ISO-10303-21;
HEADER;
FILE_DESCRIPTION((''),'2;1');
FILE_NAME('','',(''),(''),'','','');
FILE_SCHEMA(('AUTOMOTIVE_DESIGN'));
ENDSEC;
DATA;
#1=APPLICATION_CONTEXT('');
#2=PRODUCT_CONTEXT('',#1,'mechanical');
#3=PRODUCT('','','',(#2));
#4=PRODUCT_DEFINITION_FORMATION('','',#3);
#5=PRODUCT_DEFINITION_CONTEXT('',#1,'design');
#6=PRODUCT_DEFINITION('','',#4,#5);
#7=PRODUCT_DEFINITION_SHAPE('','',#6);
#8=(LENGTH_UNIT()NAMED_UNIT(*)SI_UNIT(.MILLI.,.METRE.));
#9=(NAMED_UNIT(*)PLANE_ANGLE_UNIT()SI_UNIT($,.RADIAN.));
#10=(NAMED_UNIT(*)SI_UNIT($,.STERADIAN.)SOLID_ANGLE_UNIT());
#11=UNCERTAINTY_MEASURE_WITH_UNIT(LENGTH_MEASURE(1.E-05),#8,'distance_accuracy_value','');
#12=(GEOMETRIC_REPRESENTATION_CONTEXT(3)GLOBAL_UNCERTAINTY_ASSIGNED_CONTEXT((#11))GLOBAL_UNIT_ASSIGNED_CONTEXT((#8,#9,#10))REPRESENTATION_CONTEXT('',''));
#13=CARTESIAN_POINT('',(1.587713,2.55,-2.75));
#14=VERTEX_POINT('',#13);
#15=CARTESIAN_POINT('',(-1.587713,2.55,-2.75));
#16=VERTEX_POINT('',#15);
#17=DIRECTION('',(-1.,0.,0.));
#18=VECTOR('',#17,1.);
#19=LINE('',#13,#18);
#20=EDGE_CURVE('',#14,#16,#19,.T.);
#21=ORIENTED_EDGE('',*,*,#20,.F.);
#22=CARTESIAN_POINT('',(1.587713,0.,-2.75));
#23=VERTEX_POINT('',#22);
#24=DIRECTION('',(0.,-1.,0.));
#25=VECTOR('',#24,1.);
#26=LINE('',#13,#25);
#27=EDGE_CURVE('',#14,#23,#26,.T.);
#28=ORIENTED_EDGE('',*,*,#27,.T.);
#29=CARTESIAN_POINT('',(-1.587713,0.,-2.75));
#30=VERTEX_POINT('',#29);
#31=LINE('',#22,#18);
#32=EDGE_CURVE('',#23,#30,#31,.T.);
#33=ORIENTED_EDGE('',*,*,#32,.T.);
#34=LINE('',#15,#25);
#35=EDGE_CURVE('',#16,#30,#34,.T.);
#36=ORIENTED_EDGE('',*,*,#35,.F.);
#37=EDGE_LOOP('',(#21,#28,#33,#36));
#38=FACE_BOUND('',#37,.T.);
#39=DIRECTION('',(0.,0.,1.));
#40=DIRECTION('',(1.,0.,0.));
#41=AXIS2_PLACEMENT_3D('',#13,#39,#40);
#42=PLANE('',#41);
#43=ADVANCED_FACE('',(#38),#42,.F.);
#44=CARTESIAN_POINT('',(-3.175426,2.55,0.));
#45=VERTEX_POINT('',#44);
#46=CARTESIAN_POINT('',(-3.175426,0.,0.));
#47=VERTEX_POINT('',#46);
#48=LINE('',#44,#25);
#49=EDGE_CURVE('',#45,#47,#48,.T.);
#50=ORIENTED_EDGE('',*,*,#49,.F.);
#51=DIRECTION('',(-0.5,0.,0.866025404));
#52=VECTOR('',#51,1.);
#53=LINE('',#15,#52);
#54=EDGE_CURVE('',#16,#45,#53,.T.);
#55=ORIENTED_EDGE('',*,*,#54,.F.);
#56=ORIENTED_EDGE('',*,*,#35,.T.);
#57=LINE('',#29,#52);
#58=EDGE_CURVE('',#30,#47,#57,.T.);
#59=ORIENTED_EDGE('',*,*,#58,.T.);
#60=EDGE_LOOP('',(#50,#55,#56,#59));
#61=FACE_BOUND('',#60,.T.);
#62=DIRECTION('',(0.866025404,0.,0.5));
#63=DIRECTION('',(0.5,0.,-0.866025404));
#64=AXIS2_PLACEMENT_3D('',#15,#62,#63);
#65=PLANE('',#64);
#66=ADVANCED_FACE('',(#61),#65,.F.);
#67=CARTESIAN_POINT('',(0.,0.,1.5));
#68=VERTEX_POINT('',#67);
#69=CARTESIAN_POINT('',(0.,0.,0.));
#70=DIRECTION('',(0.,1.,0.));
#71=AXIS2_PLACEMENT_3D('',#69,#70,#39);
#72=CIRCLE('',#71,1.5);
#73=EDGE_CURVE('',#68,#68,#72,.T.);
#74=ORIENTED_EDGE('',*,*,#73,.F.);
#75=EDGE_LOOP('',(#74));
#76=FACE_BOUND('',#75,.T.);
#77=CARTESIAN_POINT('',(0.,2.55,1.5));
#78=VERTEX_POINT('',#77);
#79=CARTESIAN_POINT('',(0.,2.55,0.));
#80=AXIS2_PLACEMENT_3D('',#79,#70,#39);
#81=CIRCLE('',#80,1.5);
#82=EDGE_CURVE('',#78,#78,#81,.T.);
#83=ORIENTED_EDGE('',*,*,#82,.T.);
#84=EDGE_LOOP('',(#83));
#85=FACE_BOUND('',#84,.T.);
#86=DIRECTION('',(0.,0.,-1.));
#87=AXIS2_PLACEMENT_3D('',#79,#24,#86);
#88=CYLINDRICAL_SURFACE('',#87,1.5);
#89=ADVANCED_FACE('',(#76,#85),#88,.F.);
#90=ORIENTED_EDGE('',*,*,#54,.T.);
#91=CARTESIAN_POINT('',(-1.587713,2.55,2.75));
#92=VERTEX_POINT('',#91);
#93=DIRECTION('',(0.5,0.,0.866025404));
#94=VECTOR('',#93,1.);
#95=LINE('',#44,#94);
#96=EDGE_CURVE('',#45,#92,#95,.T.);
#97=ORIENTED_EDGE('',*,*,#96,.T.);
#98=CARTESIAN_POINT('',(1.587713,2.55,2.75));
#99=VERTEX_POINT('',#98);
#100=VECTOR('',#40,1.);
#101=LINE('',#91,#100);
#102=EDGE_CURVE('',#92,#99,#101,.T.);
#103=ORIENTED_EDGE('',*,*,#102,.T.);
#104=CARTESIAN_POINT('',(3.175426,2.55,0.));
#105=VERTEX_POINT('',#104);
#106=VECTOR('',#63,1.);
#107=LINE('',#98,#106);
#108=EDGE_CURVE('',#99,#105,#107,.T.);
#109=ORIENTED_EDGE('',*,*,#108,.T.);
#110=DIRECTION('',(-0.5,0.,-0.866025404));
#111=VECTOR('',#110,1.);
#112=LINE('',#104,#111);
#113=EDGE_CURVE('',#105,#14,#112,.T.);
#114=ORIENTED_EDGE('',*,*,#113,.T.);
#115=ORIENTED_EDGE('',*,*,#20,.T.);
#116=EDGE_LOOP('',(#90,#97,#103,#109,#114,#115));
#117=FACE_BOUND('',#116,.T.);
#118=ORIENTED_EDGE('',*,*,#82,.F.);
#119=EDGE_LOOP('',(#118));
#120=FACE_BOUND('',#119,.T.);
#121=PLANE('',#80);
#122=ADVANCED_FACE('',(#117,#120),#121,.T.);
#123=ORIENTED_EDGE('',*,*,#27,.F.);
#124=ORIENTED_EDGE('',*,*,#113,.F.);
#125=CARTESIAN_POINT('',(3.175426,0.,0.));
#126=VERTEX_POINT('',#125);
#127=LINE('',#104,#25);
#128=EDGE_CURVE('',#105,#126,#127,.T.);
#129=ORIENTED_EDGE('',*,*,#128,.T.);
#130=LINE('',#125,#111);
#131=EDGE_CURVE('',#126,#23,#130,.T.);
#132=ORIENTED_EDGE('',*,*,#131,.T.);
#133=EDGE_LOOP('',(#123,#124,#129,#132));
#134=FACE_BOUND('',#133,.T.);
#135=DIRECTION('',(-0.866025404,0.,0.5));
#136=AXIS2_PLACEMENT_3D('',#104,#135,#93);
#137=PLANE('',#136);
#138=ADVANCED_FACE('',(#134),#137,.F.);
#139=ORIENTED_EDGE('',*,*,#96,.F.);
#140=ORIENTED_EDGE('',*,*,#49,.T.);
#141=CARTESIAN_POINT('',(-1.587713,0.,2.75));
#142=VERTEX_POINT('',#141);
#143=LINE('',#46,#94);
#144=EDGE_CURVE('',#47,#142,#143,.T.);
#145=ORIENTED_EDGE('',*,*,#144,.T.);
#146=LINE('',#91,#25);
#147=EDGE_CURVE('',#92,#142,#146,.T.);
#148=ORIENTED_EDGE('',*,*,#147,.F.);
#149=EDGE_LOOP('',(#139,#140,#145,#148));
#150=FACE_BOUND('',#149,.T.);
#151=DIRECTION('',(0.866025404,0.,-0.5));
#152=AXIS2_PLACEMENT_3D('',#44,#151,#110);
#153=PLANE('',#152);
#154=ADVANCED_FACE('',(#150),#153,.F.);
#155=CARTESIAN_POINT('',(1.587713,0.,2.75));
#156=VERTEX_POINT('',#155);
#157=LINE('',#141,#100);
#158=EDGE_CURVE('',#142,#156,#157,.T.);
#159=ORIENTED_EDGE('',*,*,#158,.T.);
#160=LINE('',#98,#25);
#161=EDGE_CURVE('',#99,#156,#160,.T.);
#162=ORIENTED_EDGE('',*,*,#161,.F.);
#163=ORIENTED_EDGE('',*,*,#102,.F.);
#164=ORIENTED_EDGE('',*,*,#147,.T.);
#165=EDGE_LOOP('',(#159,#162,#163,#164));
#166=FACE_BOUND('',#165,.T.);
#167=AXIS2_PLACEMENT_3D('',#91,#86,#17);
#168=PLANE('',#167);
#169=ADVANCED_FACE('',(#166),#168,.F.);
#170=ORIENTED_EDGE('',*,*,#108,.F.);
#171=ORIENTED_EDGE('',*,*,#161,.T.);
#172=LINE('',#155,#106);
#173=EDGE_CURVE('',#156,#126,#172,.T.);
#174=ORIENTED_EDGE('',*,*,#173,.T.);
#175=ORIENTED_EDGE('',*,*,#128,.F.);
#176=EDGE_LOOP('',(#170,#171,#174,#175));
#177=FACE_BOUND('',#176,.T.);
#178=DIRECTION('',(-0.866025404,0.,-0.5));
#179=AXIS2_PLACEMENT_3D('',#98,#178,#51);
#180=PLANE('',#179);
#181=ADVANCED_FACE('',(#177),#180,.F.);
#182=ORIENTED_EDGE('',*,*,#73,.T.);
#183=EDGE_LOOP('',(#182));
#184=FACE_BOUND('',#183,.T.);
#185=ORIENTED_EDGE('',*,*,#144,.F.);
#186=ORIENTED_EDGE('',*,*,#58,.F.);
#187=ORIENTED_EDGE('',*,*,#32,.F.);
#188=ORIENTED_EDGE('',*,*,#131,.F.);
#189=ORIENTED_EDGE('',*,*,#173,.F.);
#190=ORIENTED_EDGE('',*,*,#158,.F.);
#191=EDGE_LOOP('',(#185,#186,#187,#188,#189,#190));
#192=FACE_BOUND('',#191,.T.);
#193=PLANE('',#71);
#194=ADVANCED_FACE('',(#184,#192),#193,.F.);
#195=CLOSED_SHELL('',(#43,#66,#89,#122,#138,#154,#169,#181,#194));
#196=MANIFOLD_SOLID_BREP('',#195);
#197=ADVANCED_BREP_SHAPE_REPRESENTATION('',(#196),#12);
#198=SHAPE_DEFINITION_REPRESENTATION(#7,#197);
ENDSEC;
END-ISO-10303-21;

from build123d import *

# Parameters (mm, degrees)
SKETCH1_R           = 1.5
BOSS_EXTRUDE1_DEPTH = 2.55


with BuildPart() as part:
    # Sketch1 → Boss-Extrude1 (new body)
    with BuildSketch(Plane(origin=(0, 0, 0), x_dir=(1, 0, 0), z_dir=(0, 1, 0))):
        Polygon((3.175426481, 0), (1.58771324, 2.75), (-1.58771324, 2.75), (-3.175426481, 0), (-1.58771324, -2.75), (1.58771324, -2.75), align=None)
        with Locations(Location((0, 0, 0), (0, 0, 270))):
            Circle(SKETCH1_R, mode=Mode.SUBTRACT)
    extrude(amount=BOSS_EXTRUDE1_DEPTH)


solid = part.part
